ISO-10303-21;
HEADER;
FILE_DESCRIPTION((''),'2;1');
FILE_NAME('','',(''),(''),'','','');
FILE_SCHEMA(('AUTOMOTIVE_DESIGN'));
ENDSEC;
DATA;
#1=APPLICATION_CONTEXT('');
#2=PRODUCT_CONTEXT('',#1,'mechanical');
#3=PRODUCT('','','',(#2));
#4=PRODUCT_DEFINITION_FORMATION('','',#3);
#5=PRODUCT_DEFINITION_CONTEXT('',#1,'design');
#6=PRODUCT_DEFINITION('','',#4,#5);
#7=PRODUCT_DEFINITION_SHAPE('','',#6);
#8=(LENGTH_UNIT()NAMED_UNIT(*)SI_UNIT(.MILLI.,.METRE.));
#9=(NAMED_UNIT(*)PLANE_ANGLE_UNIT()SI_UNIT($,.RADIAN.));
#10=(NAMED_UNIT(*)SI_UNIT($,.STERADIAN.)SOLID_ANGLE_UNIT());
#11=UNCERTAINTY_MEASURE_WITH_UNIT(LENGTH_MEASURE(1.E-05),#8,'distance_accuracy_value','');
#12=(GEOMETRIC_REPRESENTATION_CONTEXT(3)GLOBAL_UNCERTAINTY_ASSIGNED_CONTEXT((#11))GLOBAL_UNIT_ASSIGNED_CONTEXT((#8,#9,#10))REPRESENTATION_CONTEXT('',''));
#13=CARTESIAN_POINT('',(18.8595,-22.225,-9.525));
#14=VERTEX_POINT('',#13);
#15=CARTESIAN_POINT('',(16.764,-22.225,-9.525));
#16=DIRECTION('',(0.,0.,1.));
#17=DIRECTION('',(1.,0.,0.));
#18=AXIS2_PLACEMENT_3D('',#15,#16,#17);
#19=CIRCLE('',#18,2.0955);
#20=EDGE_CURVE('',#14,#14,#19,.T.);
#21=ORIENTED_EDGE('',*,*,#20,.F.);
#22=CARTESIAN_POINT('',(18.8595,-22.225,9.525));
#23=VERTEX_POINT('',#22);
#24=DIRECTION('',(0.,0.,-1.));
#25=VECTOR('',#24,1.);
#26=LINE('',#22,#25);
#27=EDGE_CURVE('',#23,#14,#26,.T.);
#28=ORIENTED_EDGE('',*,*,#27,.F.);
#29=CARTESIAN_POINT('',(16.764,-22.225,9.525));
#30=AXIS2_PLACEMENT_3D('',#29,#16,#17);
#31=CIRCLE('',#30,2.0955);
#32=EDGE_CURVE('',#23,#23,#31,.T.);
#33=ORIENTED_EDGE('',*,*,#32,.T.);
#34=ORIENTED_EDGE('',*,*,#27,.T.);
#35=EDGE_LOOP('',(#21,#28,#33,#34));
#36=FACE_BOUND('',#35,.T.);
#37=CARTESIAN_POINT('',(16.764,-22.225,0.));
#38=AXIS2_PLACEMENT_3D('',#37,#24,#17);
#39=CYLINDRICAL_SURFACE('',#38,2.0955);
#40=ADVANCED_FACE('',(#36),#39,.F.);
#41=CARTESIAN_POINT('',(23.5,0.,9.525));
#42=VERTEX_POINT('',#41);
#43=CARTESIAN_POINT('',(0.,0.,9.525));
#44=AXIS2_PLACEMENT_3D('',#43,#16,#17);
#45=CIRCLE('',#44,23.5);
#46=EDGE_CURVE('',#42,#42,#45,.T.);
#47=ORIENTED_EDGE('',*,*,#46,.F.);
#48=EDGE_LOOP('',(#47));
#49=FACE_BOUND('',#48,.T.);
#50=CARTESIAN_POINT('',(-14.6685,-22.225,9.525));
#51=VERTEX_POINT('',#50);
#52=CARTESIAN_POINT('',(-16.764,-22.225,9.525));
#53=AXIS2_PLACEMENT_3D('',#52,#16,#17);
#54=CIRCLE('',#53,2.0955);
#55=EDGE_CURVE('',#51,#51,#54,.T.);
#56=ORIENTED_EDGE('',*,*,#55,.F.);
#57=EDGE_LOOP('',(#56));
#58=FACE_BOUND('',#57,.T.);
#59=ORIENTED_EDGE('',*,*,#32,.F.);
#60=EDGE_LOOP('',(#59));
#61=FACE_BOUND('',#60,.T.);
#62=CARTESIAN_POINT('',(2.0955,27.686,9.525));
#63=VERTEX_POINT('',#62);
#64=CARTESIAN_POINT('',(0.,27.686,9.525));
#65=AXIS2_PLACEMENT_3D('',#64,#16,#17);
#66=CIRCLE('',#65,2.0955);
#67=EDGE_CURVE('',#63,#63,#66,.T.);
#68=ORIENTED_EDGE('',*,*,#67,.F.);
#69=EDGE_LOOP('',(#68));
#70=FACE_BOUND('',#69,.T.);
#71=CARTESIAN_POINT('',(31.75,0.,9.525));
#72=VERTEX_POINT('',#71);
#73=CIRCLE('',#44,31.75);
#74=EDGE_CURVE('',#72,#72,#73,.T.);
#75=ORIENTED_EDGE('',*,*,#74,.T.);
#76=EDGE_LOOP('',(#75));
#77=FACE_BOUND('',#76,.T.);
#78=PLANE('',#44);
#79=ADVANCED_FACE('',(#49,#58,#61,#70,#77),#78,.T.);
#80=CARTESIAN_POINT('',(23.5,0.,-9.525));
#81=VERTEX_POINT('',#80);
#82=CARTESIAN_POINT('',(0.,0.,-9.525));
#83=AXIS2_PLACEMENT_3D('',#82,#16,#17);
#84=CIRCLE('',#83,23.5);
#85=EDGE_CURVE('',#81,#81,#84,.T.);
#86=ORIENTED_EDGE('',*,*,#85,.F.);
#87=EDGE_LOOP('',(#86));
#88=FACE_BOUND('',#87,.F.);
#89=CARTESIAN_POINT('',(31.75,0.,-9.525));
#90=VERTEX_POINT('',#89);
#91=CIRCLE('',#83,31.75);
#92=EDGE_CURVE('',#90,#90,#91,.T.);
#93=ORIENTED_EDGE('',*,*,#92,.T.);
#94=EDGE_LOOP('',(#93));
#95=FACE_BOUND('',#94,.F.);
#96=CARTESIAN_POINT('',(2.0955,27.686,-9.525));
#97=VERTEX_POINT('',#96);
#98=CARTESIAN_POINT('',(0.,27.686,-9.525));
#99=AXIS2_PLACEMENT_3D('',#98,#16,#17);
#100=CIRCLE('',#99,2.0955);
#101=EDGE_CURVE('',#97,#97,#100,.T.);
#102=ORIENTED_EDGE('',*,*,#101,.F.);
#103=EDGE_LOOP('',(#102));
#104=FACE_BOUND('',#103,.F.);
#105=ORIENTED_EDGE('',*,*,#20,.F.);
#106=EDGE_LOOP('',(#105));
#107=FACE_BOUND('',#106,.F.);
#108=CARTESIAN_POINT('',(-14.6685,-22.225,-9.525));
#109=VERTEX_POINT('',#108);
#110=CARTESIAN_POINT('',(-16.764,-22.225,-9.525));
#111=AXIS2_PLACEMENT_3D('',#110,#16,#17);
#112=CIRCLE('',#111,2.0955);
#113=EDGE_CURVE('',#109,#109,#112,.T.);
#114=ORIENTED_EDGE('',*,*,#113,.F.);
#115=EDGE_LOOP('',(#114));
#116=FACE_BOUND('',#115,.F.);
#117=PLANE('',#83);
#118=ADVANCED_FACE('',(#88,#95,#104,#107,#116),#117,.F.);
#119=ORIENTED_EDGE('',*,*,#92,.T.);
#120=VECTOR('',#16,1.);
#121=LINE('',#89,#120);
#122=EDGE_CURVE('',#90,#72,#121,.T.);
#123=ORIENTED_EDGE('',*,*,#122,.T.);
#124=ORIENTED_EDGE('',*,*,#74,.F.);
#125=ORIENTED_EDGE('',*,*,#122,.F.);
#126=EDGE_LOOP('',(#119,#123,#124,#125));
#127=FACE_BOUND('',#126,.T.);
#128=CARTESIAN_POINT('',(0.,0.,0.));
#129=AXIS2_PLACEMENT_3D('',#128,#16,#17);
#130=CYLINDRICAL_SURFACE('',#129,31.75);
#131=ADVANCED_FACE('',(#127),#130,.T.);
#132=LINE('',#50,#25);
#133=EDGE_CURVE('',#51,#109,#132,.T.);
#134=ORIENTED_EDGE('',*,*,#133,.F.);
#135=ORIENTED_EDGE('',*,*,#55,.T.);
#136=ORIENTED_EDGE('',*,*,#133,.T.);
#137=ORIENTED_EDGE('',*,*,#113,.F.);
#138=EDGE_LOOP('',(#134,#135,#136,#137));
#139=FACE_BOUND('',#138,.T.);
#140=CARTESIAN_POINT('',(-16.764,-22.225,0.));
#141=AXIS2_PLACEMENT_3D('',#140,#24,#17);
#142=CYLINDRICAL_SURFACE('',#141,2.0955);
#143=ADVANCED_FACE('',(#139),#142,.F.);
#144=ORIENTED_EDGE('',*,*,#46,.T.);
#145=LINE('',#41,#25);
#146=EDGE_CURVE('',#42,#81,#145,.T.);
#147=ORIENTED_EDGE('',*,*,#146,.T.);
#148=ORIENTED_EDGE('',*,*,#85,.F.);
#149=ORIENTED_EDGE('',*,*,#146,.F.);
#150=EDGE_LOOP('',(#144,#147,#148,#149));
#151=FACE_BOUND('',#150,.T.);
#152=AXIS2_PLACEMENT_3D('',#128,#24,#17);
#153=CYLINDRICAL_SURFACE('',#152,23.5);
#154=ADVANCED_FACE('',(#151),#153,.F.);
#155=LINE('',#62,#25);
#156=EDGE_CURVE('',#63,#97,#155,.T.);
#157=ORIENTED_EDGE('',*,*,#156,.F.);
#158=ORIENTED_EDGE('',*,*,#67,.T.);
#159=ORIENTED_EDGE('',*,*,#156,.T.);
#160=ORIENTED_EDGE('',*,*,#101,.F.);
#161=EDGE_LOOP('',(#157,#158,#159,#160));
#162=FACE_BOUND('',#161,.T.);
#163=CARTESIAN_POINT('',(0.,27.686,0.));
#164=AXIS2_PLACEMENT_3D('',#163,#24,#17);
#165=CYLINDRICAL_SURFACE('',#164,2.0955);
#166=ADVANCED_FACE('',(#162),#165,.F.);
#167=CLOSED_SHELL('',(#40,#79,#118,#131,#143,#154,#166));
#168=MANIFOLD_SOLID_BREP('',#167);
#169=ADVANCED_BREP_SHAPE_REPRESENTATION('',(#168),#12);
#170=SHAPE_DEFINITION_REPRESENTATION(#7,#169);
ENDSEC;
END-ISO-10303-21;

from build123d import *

# Parameters (mm, degrees)
F0_R     = 31.75
F0_R_2   = 2.0955
F0_R_3   = 23.5
F1_DEPTH = 9.525


with BuildPart() as f1:
    # F0 (on Top) → F1 (new body, symmetric)
    with BuildSketch(Plane.XY):
        Circle(F0_R)
        with Locations((-16.764, -22.225)):
            Circle(F0_R_2, mode=Mode.SUBTRACT)
        with Locations((16.764, -22.225)):
            Circle(F0_R_2, mode=Mode.SUBTRACT)
        Circle(F0_R_3, mode=Mode.SUBTRACT)
        with Locations((0, 27.686)):
            Circle(F0_R_2, mode=Mode.SUBTRACT)
    extrude(amount=F1_DEPTH, both=True)


solid = f1.part
